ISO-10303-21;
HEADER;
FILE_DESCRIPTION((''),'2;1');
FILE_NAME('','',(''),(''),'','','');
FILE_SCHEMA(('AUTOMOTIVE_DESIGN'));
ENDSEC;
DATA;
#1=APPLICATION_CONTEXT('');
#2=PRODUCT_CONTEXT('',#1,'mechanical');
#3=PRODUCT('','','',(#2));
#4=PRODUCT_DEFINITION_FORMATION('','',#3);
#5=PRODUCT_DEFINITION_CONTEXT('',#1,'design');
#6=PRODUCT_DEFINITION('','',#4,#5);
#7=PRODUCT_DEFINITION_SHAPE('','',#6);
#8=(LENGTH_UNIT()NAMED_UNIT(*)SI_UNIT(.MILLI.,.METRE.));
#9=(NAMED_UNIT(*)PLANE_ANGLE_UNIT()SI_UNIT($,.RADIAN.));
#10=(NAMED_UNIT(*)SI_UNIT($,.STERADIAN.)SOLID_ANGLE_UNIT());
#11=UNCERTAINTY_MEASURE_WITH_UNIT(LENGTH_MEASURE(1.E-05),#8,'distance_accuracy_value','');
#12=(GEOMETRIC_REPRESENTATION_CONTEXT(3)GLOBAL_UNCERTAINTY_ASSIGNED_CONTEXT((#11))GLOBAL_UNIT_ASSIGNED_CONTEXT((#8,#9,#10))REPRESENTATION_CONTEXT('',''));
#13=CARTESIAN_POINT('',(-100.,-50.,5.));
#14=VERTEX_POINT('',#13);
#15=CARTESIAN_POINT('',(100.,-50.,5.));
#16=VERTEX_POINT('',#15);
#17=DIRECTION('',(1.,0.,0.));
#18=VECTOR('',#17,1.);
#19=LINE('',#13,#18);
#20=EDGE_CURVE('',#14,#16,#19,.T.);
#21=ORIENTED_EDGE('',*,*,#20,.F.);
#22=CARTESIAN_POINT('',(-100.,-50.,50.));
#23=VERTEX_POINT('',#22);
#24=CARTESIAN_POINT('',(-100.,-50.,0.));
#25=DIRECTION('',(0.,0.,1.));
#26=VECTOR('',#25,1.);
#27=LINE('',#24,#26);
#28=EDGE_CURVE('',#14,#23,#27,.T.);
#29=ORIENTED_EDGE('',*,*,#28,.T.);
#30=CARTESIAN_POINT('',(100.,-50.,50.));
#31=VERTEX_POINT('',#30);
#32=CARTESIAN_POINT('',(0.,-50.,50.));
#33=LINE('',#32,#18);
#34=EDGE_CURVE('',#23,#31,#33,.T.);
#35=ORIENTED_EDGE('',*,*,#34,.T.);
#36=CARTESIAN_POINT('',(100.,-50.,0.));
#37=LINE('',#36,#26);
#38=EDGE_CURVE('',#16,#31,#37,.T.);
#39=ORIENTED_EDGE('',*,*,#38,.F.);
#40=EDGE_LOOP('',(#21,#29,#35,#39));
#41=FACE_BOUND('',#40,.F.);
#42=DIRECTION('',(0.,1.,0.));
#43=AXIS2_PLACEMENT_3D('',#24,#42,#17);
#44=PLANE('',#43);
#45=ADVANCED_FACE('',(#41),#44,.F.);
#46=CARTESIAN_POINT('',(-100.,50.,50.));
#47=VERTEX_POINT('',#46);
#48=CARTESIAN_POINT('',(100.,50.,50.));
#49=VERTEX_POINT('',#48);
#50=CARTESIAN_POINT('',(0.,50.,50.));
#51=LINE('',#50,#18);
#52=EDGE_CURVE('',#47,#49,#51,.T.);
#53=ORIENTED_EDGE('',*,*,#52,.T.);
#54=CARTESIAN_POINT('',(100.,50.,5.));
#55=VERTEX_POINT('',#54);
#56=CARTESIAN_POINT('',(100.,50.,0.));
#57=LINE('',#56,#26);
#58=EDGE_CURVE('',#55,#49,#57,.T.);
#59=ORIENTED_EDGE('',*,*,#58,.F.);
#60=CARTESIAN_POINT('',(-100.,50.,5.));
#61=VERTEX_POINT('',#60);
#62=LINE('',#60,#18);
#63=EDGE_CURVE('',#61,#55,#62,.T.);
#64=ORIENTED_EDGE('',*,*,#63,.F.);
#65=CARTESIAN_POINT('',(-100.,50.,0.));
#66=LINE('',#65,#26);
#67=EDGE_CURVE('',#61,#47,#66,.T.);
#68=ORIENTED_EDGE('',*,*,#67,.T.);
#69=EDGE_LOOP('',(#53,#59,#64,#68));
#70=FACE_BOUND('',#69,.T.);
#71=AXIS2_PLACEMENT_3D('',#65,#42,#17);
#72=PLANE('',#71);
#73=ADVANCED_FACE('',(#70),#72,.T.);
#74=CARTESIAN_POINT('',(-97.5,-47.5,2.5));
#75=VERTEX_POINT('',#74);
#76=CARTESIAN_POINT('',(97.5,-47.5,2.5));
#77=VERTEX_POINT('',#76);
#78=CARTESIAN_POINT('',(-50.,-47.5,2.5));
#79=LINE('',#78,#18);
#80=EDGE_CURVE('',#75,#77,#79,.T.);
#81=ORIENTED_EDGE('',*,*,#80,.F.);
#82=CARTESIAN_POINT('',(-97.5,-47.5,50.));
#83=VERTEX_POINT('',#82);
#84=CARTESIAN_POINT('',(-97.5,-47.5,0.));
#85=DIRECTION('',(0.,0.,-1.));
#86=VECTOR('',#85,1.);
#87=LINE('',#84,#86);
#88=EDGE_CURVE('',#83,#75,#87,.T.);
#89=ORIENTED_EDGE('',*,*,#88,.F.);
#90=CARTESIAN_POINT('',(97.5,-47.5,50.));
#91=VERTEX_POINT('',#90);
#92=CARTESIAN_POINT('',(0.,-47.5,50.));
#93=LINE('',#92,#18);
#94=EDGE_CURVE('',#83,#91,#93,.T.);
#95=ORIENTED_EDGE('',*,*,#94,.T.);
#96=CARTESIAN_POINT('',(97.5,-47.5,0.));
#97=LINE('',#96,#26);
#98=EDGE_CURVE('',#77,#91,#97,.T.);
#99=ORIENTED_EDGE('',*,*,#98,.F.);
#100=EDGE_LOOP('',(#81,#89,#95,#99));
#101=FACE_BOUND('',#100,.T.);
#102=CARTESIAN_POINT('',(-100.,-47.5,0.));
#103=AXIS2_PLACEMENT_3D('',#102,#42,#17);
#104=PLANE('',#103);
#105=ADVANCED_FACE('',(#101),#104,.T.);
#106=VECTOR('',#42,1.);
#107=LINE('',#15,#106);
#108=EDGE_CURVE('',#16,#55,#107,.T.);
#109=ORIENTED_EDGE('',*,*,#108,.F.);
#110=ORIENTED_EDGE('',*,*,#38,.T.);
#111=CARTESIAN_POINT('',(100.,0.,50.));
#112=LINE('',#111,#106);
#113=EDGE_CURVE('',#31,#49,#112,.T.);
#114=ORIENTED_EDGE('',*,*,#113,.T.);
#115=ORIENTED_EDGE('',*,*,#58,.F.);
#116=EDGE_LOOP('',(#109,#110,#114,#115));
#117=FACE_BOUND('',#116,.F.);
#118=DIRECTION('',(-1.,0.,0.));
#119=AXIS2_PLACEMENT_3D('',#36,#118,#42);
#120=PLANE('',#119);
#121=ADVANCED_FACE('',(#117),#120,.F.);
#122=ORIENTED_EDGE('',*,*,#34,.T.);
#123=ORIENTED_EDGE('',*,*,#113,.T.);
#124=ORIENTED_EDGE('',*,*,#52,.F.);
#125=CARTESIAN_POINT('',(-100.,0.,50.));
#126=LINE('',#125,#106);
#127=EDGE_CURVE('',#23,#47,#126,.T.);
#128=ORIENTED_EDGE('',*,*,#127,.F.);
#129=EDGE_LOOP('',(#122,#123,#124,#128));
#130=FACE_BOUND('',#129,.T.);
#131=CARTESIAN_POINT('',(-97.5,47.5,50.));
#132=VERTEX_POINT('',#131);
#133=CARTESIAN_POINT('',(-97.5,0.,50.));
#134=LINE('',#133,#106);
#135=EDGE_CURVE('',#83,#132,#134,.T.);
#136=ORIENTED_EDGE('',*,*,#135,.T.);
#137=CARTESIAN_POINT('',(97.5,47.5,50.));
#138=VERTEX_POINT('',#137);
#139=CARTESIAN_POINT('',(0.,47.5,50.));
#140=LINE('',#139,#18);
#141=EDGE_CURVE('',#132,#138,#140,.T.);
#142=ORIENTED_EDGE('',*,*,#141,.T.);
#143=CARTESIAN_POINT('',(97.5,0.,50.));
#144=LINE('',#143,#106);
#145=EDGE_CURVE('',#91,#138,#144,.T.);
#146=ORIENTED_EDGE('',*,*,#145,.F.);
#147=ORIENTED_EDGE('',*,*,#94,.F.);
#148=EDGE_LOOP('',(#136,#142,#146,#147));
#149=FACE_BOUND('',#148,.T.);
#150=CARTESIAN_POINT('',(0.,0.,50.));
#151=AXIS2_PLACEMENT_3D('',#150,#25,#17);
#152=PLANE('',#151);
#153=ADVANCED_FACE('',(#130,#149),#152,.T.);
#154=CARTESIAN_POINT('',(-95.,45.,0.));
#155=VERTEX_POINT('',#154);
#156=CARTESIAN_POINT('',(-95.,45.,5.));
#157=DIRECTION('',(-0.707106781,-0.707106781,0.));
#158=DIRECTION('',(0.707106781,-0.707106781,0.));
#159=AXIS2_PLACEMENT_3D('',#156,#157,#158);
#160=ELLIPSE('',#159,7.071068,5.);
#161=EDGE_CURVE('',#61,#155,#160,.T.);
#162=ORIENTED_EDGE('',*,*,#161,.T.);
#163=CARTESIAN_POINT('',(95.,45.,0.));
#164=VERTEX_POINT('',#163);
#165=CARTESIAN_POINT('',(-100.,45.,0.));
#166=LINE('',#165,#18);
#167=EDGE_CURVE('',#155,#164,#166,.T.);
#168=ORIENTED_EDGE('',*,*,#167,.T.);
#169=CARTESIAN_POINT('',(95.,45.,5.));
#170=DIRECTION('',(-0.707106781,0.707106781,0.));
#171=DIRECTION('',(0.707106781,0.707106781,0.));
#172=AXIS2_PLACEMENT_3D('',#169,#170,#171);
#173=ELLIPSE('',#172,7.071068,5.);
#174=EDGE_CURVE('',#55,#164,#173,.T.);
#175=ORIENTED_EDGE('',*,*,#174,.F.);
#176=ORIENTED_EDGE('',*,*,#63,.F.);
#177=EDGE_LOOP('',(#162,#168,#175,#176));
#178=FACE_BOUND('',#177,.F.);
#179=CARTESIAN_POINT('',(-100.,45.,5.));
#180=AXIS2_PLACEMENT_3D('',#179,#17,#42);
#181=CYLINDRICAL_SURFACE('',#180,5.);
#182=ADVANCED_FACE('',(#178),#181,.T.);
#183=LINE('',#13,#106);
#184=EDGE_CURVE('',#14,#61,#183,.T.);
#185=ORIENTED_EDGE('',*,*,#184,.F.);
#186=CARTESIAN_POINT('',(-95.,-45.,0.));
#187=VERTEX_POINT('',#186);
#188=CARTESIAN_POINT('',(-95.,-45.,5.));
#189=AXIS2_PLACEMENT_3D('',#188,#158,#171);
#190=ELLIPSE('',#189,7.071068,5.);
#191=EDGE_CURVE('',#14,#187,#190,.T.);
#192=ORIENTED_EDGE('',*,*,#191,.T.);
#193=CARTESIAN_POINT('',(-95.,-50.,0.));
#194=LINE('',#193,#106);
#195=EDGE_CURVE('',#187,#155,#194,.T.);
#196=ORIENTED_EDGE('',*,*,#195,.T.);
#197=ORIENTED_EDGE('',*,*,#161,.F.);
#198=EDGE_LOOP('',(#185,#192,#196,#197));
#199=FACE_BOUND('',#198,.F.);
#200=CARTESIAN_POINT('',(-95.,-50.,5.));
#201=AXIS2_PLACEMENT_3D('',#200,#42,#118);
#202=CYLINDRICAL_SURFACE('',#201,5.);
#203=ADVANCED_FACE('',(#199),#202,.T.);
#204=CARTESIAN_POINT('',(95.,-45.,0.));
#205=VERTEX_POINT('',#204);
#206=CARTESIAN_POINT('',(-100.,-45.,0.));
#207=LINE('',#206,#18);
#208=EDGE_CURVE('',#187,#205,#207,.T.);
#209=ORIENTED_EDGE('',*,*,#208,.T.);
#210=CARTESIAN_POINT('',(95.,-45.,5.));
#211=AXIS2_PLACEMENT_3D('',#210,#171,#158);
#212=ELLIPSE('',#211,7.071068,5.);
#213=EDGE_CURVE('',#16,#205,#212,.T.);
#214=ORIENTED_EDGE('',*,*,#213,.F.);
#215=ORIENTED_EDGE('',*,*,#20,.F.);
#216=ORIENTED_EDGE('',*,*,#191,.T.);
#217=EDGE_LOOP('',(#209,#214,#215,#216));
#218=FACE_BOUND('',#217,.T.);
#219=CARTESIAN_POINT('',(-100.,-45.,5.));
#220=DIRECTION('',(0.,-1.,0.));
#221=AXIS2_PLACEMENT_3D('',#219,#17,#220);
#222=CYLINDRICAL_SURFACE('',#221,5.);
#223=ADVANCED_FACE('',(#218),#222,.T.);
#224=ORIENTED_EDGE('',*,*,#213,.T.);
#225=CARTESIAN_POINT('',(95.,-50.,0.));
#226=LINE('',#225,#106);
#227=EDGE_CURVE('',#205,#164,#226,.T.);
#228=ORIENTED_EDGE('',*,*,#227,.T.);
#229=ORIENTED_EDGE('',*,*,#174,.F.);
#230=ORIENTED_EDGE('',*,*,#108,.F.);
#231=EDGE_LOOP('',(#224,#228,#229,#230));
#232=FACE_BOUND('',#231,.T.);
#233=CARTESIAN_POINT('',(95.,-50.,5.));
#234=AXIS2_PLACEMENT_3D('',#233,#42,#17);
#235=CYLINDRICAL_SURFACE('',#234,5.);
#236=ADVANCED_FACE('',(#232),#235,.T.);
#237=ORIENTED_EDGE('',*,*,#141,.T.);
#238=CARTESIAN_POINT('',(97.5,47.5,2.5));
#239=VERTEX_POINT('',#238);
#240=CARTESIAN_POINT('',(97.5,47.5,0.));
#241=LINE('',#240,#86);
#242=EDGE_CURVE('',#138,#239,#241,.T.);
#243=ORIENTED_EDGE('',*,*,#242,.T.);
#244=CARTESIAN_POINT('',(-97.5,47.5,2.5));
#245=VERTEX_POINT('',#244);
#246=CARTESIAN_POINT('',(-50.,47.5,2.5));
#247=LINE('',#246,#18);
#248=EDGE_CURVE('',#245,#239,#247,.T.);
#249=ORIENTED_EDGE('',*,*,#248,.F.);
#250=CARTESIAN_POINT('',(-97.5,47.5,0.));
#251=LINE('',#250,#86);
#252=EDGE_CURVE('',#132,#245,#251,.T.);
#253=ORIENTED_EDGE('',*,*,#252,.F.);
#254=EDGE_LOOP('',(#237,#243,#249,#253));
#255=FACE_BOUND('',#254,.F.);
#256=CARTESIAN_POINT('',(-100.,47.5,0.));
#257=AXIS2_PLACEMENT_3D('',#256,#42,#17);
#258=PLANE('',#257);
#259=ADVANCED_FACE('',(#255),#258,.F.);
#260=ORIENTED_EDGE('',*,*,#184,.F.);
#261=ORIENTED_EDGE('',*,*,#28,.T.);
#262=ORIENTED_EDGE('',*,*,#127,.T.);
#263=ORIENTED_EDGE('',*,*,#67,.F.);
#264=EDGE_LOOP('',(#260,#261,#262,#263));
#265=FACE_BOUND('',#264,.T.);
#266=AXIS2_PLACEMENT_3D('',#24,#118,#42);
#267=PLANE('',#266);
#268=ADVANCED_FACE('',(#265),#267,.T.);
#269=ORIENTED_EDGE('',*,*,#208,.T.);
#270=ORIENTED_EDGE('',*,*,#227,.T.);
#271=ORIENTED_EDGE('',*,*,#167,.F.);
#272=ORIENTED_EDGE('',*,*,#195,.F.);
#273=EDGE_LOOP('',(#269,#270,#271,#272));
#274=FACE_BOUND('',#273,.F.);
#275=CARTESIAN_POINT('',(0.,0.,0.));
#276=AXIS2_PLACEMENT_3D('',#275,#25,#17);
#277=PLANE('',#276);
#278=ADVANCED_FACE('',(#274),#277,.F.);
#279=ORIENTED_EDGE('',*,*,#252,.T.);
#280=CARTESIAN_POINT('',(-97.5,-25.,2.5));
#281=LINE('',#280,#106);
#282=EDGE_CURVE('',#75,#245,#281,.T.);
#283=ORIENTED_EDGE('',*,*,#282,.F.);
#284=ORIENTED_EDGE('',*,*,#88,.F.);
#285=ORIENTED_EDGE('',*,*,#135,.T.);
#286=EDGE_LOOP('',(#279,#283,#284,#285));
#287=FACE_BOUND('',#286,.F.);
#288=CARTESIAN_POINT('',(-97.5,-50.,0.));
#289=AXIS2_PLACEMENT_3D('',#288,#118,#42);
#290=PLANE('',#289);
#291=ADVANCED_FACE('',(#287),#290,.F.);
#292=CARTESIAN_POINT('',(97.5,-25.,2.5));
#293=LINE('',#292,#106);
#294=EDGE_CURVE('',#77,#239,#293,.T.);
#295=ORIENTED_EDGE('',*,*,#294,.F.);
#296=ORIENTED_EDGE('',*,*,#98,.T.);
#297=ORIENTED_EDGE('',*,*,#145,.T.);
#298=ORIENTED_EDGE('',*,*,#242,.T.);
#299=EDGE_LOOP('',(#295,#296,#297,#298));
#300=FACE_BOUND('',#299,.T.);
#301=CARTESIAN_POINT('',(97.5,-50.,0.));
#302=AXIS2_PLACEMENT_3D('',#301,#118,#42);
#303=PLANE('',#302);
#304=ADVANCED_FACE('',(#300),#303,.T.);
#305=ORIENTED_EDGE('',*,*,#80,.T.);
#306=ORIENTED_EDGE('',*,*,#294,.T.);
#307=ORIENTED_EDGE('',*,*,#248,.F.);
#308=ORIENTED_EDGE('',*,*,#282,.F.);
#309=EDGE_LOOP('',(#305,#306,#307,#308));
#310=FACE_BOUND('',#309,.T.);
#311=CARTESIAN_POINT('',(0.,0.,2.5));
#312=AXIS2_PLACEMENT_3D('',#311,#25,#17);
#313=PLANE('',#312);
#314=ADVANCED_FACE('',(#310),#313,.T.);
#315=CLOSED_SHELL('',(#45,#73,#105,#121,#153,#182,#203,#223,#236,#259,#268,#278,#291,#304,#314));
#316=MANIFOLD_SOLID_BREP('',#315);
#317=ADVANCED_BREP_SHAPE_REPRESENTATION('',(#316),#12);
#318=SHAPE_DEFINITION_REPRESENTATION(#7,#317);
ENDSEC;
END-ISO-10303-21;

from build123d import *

# Parameters (mm, degrees)
F0_W     = 200
F0_H     = 100
F1_DEPTH = 50
F2_T     = -2.5
F3_R     = 5


with BuildPart() as f1:
    # F0 (on Top) → F1 (new body)
    with BuildSketch(Plane.XY):
        Rectangle(F0_W, F0_H)
    extrude(amount=F1_DEPTH)

    # F2
    f2_openings = [f1.faces().sort_by_distance(p)[0] for p in [
        (0, 0, 50),
    ]]
    offset(amount=F2_T, openings=f2_openings)

    # F3
    f3_edges = [f1.edges().sort_by_distance(p)[0] for p in [
        (0, -50, 0),
        (100, 0, 0),
        (0, 50, 0),
        (-100, 0, 0),
    ]]
    fillet(f3_edges, radius=F3_R)


solid = f1.part
